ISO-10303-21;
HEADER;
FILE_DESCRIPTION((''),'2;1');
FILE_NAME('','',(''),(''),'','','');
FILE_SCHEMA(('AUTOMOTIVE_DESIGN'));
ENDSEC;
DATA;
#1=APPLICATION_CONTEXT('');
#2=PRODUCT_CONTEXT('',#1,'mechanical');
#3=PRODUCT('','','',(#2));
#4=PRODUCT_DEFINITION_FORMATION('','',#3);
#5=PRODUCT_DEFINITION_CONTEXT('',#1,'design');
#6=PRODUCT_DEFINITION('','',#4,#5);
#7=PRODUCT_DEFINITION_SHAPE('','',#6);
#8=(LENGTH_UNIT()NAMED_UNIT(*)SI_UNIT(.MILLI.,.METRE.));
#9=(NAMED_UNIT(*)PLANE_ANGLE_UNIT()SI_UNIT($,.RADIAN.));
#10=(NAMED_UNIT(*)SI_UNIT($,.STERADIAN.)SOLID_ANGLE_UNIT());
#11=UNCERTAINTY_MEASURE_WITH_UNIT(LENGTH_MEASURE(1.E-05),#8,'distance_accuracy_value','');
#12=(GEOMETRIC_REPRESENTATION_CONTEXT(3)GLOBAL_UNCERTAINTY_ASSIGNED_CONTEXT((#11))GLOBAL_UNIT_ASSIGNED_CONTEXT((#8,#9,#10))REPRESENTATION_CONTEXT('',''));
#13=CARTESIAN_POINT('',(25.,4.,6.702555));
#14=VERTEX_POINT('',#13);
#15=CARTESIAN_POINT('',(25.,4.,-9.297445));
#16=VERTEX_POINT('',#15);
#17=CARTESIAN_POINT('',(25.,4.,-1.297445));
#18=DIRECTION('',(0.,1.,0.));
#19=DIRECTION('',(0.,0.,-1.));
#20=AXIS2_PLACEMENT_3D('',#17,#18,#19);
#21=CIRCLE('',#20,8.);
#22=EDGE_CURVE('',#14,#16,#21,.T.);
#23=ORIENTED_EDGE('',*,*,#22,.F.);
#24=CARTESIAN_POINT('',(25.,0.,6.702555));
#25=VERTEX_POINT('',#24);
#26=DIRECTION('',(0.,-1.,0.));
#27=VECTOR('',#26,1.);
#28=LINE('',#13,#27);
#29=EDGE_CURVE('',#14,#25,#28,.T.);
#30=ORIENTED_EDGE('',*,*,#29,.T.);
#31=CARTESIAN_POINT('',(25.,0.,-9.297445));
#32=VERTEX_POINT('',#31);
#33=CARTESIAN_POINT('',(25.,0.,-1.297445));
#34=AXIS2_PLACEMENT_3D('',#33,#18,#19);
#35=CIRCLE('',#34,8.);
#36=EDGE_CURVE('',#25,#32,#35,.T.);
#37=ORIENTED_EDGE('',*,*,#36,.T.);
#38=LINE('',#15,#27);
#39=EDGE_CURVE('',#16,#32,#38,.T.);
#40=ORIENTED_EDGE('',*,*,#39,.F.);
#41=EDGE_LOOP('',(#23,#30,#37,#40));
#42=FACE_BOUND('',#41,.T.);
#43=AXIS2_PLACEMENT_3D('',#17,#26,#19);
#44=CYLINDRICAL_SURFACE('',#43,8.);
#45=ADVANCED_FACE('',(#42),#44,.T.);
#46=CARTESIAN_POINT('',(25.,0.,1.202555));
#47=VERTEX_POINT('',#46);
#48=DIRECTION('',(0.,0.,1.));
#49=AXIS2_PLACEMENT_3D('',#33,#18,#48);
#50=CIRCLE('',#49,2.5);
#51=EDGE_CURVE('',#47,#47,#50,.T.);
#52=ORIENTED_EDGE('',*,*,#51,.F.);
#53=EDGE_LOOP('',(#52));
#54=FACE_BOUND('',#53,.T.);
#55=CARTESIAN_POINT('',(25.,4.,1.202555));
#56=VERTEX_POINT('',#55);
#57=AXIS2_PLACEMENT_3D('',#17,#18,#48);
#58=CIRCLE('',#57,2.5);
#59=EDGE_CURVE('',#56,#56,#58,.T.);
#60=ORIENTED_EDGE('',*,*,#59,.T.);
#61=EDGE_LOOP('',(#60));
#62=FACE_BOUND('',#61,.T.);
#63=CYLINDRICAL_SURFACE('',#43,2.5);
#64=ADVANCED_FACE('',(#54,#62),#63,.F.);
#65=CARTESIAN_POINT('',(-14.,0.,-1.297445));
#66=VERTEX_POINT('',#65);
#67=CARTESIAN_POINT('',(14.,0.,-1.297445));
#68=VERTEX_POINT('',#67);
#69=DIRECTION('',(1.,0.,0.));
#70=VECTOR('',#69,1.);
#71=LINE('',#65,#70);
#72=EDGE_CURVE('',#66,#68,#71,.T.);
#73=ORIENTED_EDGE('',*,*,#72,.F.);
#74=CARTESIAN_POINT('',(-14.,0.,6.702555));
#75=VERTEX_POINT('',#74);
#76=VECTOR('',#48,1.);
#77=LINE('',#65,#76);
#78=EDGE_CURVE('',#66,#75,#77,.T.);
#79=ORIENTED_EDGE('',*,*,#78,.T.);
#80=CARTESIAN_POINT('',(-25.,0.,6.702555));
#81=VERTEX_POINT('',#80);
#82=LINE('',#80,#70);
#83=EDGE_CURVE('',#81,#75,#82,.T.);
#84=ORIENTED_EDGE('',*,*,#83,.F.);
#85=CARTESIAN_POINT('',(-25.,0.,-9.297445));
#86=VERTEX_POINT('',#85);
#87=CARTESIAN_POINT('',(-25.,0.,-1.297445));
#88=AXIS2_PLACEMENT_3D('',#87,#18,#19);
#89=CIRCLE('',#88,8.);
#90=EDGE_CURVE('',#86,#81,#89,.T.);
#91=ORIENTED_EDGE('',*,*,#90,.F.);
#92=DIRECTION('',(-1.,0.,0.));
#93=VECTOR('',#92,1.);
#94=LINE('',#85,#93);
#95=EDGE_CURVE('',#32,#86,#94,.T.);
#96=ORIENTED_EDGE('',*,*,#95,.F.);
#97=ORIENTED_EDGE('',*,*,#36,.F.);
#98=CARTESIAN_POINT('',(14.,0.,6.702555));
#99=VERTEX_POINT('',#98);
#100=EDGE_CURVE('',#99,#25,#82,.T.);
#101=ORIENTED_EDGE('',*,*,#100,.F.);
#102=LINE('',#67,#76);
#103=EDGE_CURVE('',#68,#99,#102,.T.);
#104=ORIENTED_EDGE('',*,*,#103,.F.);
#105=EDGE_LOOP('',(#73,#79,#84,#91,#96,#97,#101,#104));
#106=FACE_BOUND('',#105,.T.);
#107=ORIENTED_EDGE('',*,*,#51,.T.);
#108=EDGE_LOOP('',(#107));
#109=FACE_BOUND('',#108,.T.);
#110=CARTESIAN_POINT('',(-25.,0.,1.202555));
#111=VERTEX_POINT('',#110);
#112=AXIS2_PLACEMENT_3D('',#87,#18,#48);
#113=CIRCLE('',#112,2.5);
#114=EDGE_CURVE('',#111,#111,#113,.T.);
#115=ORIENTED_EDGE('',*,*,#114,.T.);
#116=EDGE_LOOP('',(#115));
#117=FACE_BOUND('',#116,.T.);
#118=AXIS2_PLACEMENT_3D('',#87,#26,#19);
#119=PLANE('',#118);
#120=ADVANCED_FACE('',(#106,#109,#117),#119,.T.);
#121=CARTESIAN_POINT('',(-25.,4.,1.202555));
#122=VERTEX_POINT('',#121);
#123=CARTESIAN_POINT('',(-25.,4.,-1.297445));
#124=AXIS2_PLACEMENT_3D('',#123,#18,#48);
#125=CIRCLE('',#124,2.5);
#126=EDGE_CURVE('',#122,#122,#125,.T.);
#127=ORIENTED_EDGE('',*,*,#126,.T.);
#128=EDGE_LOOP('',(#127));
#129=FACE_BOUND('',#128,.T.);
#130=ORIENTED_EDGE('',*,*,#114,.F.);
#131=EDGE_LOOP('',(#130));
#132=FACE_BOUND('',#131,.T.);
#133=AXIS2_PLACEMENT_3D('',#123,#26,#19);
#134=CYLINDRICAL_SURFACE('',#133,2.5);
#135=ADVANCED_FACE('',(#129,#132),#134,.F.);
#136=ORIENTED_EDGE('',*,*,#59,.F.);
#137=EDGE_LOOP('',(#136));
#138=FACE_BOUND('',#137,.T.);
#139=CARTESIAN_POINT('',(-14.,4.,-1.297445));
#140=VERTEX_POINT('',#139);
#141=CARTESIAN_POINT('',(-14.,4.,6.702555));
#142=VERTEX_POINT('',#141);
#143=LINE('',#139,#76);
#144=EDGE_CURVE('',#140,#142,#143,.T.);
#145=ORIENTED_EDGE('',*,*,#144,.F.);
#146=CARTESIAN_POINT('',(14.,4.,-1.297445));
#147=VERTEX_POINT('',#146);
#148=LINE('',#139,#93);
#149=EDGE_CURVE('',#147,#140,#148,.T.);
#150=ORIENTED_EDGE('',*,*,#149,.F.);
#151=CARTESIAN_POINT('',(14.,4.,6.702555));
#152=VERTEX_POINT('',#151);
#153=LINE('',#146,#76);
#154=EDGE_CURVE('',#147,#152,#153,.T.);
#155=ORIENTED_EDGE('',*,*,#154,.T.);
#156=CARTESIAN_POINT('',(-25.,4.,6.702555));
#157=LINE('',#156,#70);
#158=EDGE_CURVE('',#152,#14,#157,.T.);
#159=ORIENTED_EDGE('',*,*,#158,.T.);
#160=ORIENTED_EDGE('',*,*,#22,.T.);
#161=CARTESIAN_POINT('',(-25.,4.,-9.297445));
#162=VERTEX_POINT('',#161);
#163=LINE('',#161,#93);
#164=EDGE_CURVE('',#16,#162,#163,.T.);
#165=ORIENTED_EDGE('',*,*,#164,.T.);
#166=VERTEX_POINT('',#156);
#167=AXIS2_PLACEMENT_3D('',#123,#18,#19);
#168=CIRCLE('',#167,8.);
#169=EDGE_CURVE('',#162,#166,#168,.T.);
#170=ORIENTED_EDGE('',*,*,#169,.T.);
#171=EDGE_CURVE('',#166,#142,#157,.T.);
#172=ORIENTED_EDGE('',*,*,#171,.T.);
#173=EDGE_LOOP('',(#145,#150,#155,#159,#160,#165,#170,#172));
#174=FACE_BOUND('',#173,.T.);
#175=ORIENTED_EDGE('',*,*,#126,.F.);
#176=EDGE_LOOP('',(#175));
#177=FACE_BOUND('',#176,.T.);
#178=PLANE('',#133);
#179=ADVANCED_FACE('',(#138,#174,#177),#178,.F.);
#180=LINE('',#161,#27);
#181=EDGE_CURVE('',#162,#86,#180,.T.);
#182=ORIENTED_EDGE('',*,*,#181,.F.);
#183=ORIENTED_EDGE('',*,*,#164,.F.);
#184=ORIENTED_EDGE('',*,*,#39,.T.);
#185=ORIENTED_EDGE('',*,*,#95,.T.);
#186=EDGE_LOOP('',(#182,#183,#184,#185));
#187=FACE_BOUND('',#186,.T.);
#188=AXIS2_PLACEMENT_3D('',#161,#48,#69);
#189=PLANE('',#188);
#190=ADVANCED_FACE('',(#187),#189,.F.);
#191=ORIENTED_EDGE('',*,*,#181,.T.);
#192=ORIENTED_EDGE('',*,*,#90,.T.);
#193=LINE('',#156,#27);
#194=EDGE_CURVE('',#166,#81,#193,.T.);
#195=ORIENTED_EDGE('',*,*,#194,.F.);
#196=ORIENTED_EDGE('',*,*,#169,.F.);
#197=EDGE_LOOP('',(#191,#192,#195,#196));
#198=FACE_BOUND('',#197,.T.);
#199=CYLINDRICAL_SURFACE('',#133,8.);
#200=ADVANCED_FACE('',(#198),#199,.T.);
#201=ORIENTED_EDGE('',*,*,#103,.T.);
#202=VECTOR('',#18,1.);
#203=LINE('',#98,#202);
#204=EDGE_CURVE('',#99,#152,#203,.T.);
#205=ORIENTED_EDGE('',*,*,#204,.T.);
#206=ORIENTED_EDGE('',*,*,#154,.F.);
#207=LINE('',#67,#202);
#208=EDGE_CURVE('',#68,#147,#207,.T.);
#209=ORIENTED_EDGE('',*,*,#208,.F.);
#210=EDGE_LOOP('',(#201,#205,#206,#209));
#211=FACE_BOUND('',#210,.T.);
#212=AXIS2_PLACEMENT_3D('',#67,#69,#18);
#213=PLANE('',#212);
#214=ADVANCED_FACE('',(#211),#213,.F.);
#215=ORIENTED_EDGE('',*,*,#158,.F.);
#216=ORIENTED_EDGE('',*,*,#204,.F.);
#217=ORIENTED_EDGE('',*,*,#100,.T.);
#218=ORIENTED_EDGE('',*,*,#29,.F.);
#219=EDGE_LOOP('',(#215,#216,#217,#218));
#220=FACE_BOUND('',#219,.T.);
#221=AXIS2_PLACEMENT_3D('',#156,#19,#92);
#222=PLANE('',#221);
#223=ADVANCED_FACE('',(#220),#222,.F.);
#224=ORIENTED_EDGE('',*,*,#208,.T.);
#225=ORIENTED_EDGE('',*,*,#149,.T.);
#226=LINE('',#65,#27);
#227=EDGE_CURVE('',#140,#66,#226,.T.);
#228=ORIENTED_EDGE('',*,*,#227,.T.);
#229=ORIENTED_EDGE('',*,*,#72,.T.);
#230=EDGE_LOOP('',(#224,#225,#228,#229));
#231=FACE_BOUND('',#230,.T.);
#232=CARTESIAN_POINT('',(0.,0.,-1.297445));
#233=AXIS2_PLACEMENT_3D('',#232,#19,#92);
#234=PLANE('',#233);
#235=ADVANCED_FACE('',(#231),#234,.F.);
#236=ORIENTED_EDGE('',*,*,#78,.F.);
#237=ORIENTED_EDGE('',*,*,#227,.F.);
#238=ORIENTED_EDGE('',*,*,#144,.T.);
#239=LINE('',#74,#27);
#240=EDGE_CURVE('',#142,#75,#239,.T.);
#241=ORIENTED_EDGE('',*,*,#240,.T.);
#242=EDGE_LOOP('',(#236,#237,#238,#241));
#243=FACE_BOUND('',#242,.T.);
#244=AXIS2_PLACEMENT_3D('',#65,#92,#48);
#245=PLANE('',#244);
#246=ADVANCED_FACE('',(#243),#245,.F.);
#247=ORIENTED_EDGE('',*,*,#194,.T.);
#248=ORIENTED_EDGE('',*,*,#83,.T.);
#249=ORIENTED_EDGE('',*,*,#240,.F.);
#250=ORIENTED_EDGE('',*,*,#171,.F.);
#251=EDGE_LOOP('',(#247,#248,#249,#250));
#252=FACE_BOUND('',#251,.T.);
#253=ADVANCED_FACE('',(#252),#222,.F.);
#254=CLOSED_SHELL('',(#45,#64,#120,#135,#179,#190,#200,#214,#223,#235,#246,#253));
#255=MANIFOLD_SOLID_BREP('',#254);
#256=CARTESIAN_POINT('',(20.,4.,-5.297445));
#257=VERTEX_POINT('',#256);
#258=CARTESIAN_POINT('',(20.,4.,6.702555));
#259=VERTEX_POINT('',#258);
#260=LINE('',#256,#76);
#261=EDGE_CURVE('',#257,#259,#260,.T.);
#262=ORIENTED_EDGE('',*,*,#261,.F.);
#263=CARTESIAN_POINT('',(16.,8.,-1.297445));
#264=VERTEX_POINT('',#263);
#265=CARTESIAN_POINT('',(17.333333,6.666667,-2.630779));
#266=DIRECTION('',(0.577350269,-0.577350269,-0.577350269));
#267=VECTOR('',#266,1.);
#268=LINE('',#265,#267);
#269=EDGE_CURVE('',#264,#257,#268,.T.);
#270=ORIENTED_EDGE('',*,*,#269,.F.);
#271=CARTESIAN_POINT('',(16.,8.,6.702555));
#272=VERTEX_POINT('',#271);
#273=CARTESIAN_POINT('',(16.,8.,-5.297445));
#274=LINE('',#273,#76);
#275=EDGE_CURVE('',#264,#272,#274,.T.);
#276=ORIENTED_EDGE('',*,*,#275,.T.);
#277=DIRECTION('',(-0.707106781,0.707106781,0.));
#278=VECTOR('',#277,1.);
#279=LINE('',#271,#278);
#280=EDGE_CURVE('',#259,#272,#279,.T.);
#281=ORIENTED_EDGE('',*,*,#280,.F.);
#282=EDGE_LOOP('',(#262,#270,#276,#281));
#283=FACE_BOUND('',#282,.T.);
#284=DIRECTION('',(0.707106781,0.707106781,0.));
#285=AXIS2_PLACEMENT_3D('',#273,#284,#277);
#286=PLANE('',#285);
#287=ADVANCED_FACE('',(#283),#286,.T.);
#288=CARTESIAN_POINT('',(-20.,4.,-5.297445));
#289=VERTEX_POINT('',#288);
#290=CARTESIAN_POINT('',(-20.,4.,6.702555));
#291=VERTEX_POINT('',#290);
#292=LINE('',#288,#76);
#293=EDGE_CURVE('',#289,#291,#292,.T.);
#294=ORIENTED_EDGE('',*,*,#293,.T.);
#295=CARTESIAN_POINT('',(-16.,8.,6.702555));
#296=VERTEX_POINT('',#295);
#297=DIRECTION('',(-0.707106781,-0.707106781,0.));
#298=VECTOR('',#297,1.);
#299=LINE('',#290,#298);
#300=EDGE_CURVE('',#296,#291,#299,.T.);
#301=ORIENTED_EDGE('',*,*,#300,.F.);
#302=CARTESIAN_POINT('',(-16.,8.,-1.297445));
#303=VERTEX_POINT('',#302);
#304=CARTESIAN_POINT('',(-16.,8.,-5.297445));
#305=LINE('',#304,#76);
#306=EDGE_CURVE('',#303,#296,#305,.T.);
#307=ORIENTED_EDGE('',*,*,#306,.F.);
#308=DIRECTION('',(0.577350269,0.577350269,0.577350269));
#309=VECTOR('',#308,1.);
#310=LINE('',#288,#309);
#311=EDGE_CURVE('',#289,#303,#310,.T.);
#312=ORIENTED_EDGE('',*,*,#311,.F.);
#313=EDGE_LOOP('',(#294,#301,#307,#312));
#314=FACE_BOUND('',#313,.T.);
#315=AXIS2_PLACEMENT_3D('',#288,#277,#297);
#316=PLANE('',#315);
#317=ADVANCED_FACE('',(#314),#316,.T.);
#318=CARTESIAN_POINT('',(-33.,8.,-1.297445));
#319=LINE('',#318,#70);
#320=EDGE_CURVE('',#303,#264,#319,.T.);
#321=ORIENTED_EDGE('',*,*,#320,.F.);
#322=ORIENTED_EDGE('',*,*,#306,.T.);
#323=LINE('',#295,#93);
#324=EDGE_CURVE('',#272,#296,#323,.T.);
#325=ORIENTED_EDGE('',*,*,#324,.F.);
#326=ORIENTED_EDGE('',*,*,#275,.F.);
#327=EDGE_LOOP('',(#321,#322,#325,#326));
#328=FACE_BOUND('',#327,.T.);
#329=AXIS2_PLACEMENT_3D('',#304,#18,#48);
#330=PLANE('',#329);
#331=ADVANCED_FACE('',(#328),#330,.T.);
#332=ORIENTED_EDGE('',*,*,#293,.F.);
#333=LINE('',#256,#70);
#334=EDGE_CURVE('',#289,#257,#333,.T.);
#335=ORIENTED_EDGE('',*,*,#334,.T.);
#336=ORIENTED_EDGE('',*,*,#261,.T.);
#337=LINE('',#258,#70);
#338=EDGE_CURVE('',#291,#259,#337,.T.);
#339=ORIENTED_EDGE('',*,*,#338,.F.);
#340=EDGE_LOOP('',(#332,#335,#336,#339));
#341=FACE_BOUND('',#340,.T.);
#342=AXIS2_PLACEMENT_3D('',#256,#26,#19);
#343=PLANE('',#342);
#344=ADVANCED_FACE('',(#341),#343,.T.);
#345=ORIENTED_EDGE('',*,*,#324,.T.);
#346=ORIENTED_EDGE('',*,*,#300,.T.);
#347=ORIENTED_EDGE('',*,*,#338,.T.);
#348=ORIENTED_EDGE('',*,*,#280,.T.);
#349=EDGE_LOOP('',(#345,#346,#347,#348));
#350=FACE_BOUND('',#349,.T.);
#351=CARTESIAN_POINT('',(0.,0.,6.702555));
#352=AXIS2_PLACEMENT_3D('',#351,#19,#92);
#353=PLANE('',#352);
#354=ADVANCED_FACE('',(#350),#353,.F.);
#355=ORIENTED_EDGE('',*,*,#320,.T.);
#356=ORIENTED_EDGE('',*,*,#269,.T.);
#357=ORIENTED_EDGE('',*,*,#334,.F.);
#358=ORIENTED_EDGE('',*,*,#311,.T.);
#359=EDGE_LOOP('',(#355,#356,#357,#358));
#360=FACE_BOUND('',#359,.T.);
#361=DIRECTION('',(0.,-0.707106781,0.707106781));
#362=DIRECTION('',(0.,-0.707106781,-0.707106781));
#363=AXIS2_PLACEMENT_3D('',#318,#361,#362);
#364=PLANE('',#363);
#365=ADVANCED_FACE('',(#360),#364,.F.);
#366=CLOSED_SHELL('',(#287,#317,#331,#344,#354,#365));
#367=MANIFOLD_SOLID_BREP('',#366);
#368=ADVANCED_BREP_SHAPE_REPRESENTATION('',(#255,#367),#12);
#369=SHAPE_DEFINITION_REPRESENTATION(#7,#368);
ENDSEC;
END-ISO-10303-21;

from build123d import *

# Parameters (mm, degrees)
SKETCH_1_R               = 2.5
EXTRUDE_1_DEPTH          = 4
EXTRUDE_2_DEPTH          = 12
SKETCH_3_W               = 28
SKETCH_3_H               = 4
CUT_EXTRUDE_1_DEPTH      = 8
CUT_EXTRUDE_2_DEPTH      = 36.20571672
CUT_EXTRUDE_2_DEPTH_BACK = 36.20571672


with BuildPart() as part:
    # 草图1 → 凸台-拉伸1 (new body)
    with BuildSketch(Plane(origin=(0, 0, 0), x_dir=(1, 0, 0), z_dir=(0, 1, 0))):
        with BuildLine():
            Line((-25, 9.297445336), (25, 9.297445336))
            ThreePointArc((25, 9.297445336), (33, 1.297445336), (25, -6.702554664))
            Line((25, -6.702554664), (-25, -6.702554664))
            ThreePointArc((-25, -6.702554664), (-33, 1.297445336), (-25, 9.297445336))
        make_face()
        with Locations(Location((-25, 1.297445336, 0), (0, 0, 270))):
            Circle(SKETCH_1_R, mode=Mode.SUBTRACT)
        with Locations(Location((25, 1.297445336, 0), (0, 0, 270))):
            Circle(SKETCH_1_R, mode=Mode.SUBTRACT)
    extrude(amount=EXTRUDE_1_DEPTH)

    # 草图3 → 切除-拉伸1 (cut)
    with BuildSketch(Plane.XY.offset(6.702554664)):
        with Locations((0, 2)):
            Rectangle(SKETCH_3_W, SKETCH_3_H)
    extrude(amount=-CUT_EXTRUDE_1_DEPTH, mode=Mode.SUBTRACT)


with BuildPart() as body_2:
    # 草图2 → 凸台-拉伸2 (new body)
    with BuildSketch(Plane.XY.offset(6.702554664)):
        Polygon((-20, 4), (-16, 8), (16, 8), (20, 4), align=None)
    extrude(amount=-EXTRUDE_2_DEPTH)

    # 草图4 → 切除-拉伸2 (cut, two sides: drawn at the far end of the back side and taken through both)
    with BuildSketch(Plane(origin=(0, 0, 0), x_dir=(0, 0, -1), z_dir=(1, 0, 0)).offset(-CUT_EXTRUDE_2_DEPTH_BACK)):
        Polygon((5.297445336, 8), (1.297445336, 8), (5.297445336, 4), align=None)
    extrude(amount=CUT_EXTRUDE_2_DEPTH + CUT_EXTRUDE_2_DEPTH_BACK, mode=Mode.SUBTRACT)


solid = Compound([part.part, body_2.part])
